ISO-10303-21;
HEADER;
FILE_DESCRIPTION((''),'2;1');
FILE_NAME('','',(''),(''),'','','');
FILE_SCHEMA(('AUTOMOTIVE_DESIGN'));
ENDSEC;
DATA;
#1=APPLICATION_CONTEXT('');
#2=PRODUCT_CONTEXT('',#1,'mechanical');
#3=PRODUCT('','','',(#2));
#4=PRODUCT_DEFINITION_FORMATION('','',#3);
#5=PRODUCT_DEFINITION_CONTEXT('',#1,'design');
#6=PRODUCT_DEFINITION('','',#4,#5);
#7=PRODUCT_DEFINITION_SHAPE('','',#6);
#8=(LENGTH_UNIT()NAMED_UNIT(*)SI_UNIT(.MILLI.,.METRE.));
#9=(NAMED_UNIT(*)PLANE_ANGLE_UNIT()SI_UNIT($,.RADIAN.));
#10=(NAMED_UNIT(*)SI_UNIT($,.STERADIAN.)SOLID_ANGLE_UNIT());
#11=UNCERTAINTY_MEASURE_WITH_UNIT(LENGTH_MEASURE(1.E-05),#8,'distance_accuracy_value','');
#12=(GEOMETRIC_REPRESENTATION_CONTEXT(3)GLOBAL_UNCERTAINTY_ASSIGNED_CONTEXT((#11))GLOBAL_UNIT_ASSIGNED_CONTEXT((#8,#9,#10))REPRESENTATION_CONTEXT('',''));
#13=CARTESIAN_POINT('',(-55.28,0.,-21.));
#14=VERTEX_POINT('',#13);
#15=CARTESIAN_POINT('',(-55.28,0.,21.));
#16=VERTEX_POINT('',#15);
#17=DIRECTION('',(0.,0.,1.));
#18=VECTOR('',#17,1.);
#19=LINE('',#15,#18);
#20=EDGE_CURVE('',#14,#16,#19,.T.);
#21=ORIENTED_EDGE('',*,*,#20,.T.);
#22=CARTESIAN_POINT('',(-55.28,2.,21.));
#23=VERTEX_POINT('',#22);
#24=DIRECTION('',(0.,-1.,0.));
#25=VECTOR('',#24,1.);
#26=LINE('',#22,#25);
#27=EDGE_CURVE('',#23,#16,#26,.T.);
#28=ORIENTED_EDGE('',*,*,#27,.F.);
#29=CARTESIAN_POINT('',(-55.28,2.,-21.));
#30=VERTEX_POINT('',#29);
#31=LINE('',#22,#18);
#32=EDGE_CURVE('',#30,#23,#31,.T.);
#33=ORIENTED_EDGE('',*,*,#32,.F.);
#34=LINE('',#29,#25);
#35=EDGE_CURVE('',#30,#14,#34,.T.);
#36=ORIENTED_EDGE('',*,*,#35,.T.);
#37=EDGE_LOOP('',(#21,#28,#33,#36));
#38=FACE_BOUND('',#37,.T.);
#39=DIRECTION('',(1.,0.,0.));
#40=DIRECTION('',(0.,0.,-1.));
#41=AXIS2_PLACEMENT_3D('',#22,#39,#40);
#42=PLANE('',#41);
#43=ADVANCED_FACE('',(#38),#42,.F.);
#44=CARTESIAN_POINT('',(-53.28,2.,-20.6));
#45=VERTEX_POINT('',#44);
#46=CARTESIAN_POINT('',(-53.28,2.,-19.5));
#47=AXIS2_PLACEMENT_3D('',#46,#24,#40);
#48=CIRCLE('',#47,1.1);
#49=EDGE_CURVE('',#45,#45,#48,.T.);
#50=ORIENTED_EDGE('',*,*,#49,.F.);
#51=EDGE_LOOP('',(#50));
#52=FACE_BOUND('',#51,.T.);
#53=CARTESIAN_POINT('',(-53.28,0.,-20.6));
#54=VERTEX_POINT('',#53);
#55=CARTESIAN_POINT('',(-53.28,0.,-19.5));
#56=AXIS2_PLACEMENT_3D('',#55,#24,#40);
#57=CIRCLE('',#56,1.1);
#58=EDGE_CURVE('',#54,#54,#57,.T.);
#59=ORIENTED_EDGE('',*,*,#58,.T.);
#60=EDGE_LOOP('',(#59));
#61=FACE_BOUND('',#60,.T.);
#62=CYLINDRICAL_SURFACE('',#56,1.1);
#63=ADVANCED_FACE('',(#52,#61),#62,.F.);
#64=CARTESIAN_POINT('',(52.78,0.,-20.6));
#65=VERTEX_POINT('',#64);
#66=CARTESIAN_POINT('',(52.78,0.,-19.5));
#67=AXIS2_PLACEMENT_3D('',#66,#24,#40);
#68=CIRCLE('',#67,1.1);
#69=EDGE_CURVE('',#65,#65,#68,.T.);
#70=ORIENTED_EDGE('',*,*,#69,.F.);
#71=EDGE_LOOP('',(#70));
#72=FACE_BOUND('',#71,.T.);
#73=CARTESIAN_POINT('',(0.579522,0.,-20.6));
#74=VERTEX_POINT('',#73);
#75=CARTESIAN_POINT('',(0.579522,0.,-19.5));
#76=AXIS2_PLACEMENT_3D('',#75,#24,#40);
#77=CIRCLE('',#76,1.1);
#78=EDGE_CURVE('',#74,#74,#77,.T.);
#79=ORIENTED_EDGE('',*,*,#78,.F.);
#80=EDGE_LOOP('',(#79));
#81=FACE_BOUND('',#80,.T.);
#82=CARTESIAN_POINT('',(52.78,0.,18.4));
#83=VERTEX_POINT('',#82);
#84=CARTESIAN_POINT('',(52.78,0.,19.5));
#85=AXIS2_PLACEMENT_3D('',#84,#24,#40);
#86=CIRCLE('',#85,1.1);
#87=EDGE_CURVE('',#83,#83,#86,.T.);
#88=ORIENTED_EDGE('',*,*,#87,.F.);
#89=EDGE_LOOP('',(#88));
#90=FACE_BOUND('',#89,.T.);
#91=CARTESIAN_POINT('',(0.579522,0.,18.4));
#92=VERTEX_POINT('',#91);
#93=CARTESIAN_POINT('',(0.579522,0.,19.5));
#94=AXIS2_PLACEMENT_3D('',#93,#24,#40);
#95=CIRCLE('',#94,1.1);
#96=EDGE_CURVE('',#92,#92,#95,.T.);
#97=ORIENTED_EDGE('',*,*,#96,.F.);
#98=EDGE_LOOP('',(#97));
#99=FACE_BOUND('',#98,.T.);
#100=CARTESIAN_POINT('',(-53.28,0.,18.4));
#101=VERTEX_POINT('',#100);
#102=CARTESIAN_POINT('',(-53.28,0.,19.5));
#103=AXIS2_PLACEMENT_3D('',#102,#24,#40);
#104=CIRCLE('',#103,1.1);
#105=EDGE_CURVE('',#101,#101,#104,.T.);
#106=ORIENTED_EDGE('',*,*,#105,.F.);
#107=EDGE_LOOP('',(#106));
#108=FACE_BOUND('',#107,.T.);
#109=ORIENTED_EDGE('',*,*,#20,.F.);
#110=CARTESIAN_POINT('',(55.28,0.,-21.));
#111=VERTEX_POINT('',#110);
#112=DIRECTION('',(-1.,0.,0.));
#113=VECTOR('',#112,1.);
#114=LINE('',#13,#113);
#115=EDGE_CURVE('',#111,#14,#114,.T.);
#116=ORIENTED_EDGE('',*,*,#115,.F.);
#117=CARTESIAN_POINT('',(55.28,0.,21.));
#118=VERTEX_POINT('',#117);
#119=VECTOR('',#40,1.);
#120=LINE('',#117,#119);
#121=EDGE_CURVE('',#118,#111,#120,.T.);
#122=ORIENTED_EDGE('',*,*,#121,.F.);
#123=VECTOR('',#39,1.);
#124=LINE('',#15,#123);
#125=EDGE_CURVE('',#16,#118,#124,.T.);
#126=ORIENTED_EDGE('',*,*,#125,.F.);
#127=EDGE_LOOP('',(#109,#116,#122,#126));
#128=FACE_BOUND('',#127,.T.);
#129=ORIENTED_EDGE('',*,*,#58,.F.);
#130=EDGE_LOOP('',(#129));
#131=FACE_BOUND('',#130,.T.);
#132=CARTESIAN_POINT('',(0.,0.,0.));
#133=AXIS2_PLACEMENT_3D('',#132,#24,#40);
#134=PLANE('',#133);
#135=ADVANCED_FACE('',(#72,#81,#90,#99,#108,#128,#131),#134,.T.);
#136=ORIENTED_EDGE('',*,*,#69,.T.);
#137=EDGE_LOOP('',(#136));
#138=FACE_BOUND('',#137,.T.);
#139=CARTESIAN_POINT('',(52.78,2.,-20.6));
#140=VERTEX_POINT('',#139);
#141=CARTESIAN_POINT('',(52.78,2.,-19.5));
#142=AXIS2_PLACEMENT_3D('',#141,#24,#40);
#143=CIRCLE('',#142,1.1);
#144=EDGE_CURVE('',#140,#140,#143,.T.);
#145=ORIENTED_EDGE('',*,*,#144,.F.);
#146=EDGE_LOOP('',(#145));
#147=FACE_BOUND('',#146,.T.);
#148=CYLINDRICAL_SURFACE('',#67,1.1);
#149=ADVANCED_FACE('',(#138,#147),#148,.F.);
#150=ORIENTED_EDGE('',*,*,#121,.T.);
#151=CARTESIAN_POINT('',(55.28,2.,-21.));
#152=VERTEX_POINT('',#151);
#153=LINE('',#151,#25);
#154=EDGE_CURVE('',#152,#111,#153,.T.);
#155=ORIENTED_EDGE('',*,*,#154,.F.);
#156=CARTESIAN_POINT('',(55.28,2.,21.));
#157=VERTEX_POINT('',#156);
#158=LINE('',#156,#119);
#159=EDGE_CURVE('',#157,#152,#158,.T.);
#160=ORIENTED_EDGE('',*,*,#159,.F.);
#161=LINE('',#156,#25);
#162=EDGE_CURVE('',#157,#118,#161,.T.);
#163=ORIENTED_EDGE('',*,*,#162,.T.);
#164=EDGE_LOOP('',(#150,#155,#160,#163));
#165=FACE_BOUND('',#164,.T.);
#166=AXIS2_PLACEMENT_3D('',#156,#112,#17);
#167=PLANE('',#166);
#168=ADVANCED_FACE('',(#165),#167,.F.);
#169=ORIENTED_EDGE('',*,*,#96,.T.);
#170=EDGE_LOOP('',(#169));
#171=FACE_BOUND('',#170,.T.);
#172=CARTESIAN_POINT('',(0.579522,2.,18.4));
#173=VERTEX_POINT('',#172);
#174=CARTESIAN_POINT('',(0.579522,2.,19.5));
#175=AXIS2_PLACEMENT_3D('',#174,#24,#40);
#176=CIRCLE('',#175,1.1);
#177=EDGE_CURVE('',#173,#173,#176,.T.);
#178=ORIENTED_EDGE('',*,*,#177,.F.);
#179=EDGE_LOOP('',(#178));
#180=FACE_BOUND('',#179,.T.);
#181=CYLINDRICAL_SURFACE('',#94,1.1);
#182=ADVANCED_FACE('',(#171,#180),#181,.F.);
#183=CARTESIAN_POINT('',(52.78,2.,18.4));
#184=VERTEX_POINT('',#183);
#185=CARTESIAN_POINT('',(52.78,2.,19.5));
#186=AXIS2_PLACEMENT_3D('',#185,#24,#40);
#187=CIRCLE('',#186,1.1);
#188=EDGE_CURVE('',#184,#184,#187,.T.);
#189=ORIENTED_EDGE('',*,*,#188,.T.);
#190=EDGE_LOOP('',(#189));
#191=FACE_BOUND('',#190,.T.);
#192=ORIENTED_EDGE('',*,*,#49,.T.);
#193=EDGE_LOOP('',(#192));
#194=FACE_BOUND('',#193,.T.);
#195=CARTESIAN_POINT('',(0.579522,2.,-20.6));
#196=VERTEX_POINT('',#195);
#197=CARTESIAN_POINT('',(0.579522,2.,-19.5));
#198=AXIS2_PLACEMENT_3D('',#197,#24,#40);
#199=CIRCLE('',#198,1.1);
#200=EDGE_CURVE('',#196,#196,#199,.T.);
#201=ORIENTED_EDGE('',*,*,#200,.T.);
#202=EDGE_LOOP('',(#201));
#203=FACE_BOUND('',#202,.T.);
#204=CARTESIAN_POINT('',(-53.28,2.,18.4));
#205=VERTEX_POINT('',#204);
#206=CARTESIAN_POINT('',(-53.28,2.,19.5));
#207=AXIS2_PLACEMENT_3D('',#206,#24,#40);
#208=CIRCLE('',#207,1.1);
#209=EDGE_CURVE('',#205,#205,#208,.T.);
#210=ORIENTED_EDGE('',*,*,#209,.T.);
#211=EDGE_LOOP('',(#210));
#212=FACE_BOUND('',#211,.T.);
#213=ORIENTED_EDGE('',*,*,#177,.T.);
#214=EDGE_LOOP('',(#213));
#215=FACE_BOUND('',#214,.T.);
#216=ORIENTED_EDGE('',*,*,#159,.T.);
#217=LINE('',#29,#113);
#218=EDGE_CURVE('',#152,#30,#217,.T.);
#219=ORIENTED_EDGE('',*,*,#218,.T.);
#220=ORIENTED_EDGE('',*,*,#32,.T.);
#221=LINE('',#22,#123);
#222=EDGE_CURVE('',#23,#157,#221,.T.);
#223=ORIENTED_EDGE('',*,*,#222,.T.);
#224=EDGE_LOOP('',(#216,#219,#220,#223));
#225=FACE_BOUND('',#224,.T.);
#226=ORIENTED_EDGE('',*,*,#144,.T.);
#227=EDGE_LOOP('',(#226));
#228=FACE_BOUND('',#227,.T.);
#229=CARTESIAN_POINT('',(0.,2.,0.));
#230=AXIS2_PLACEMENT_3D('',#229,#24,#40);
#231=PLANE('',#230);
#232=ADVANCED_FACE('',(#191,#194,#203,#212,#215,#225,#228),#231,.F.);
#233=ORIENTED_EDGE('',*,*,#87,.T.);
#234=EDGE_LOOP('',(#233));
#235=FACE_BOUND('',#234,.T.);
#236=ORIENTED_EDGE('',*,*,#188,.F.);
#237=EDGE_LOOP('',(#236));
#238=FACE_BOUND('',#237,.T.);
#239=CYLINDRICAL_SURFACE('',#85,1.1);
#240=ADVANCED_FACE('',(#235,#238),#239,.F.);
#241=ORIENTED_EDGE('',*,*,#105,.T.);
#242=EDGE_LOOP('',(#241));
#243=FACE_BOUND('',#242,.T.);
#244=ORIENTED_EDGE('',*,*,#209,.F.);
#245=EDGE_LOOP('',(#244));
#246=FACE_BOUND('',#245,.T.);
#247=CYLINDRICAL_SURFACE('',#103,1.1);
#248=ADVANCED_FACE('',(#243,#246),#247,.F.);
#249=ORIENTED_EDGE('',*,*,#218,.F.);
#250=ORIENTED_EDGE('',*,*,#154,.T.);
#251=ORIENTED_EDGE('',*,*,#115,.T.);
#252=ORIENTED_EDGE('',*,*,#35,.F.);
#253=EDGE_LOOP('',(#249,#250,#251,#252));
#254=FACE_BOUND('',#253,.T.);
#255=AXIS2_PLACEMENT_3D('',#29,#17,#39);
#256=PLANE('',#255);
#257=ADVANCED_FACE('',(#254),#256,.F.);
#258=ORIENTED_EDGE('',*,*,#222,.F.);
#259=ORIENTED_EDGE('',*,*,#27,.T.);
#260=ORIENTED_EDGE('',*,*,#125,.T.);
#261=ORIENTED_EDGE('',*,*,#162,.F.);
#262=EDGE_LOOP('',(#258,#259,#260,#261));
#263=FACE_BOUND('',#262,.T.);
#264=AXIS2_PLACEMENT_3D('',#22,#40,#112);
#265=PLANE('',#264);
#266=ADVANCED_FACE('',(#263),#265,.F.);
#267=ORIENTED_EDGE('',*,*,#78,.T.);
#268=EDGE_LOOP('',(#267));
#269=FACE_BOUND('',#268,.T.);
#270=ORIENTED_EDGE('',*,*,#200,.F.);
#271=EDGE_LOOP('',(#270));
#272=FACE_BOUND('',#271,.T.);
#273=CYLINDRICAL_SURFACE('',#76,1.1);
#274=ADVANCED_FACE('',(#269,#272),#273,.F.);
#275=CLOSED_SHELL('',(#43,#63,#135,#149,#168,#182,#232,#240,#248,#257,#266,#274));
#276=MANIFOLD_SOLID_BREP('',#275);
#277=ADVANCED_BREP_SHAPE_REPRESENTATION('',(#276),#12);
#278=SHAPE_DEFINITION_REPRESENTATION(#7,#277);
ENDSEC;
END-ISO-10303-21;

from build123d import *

# Parameters (mm, degrees)
SKETCH1_W                      = 110.56
SKETCH1_H                      = 42
BOSS_EXTRUDE1_DEPTH            = 2
F_2_2_2_2_DIAMETER_HOLE1_D     = 2.2
F_2_2_2_2_DIAMETER_HOLE1_DEPTH = 2


with BuildPart() as part:
    # Sketch1 → Boss-Extrude1 (new body)
    with BuildSketch(Plane(origin=(0, 0, 0), x_dir=(1, 0, 0), z_dir=(0, 1, 0))):
        Rectangle(SKETCH1_W, SKETCH1_H)
    extrude(amount=BOSS_EXTRUDE1_DEPTH)

    # Ø2.2 (2.2) Diameter Hole1
    with Locations(Plane(origin=(0, 0, 0), x_dir=(-1, 0, 0), z_dir=(0, -1, 0))):
        with Locations((53.28, -19.5), (53.28, 19.5), (-52.78, 19.5), (-0.579521869, 19.5), (-0.579521869, -19.5), (-52.78, -19.5)):
            Hole(F_2_2_2_2_DIAMETER_HOLE1_D / 2, depth=F_2_2_2_2_DIAMETER_HOLE1_DEPTH)


solid = part.part
